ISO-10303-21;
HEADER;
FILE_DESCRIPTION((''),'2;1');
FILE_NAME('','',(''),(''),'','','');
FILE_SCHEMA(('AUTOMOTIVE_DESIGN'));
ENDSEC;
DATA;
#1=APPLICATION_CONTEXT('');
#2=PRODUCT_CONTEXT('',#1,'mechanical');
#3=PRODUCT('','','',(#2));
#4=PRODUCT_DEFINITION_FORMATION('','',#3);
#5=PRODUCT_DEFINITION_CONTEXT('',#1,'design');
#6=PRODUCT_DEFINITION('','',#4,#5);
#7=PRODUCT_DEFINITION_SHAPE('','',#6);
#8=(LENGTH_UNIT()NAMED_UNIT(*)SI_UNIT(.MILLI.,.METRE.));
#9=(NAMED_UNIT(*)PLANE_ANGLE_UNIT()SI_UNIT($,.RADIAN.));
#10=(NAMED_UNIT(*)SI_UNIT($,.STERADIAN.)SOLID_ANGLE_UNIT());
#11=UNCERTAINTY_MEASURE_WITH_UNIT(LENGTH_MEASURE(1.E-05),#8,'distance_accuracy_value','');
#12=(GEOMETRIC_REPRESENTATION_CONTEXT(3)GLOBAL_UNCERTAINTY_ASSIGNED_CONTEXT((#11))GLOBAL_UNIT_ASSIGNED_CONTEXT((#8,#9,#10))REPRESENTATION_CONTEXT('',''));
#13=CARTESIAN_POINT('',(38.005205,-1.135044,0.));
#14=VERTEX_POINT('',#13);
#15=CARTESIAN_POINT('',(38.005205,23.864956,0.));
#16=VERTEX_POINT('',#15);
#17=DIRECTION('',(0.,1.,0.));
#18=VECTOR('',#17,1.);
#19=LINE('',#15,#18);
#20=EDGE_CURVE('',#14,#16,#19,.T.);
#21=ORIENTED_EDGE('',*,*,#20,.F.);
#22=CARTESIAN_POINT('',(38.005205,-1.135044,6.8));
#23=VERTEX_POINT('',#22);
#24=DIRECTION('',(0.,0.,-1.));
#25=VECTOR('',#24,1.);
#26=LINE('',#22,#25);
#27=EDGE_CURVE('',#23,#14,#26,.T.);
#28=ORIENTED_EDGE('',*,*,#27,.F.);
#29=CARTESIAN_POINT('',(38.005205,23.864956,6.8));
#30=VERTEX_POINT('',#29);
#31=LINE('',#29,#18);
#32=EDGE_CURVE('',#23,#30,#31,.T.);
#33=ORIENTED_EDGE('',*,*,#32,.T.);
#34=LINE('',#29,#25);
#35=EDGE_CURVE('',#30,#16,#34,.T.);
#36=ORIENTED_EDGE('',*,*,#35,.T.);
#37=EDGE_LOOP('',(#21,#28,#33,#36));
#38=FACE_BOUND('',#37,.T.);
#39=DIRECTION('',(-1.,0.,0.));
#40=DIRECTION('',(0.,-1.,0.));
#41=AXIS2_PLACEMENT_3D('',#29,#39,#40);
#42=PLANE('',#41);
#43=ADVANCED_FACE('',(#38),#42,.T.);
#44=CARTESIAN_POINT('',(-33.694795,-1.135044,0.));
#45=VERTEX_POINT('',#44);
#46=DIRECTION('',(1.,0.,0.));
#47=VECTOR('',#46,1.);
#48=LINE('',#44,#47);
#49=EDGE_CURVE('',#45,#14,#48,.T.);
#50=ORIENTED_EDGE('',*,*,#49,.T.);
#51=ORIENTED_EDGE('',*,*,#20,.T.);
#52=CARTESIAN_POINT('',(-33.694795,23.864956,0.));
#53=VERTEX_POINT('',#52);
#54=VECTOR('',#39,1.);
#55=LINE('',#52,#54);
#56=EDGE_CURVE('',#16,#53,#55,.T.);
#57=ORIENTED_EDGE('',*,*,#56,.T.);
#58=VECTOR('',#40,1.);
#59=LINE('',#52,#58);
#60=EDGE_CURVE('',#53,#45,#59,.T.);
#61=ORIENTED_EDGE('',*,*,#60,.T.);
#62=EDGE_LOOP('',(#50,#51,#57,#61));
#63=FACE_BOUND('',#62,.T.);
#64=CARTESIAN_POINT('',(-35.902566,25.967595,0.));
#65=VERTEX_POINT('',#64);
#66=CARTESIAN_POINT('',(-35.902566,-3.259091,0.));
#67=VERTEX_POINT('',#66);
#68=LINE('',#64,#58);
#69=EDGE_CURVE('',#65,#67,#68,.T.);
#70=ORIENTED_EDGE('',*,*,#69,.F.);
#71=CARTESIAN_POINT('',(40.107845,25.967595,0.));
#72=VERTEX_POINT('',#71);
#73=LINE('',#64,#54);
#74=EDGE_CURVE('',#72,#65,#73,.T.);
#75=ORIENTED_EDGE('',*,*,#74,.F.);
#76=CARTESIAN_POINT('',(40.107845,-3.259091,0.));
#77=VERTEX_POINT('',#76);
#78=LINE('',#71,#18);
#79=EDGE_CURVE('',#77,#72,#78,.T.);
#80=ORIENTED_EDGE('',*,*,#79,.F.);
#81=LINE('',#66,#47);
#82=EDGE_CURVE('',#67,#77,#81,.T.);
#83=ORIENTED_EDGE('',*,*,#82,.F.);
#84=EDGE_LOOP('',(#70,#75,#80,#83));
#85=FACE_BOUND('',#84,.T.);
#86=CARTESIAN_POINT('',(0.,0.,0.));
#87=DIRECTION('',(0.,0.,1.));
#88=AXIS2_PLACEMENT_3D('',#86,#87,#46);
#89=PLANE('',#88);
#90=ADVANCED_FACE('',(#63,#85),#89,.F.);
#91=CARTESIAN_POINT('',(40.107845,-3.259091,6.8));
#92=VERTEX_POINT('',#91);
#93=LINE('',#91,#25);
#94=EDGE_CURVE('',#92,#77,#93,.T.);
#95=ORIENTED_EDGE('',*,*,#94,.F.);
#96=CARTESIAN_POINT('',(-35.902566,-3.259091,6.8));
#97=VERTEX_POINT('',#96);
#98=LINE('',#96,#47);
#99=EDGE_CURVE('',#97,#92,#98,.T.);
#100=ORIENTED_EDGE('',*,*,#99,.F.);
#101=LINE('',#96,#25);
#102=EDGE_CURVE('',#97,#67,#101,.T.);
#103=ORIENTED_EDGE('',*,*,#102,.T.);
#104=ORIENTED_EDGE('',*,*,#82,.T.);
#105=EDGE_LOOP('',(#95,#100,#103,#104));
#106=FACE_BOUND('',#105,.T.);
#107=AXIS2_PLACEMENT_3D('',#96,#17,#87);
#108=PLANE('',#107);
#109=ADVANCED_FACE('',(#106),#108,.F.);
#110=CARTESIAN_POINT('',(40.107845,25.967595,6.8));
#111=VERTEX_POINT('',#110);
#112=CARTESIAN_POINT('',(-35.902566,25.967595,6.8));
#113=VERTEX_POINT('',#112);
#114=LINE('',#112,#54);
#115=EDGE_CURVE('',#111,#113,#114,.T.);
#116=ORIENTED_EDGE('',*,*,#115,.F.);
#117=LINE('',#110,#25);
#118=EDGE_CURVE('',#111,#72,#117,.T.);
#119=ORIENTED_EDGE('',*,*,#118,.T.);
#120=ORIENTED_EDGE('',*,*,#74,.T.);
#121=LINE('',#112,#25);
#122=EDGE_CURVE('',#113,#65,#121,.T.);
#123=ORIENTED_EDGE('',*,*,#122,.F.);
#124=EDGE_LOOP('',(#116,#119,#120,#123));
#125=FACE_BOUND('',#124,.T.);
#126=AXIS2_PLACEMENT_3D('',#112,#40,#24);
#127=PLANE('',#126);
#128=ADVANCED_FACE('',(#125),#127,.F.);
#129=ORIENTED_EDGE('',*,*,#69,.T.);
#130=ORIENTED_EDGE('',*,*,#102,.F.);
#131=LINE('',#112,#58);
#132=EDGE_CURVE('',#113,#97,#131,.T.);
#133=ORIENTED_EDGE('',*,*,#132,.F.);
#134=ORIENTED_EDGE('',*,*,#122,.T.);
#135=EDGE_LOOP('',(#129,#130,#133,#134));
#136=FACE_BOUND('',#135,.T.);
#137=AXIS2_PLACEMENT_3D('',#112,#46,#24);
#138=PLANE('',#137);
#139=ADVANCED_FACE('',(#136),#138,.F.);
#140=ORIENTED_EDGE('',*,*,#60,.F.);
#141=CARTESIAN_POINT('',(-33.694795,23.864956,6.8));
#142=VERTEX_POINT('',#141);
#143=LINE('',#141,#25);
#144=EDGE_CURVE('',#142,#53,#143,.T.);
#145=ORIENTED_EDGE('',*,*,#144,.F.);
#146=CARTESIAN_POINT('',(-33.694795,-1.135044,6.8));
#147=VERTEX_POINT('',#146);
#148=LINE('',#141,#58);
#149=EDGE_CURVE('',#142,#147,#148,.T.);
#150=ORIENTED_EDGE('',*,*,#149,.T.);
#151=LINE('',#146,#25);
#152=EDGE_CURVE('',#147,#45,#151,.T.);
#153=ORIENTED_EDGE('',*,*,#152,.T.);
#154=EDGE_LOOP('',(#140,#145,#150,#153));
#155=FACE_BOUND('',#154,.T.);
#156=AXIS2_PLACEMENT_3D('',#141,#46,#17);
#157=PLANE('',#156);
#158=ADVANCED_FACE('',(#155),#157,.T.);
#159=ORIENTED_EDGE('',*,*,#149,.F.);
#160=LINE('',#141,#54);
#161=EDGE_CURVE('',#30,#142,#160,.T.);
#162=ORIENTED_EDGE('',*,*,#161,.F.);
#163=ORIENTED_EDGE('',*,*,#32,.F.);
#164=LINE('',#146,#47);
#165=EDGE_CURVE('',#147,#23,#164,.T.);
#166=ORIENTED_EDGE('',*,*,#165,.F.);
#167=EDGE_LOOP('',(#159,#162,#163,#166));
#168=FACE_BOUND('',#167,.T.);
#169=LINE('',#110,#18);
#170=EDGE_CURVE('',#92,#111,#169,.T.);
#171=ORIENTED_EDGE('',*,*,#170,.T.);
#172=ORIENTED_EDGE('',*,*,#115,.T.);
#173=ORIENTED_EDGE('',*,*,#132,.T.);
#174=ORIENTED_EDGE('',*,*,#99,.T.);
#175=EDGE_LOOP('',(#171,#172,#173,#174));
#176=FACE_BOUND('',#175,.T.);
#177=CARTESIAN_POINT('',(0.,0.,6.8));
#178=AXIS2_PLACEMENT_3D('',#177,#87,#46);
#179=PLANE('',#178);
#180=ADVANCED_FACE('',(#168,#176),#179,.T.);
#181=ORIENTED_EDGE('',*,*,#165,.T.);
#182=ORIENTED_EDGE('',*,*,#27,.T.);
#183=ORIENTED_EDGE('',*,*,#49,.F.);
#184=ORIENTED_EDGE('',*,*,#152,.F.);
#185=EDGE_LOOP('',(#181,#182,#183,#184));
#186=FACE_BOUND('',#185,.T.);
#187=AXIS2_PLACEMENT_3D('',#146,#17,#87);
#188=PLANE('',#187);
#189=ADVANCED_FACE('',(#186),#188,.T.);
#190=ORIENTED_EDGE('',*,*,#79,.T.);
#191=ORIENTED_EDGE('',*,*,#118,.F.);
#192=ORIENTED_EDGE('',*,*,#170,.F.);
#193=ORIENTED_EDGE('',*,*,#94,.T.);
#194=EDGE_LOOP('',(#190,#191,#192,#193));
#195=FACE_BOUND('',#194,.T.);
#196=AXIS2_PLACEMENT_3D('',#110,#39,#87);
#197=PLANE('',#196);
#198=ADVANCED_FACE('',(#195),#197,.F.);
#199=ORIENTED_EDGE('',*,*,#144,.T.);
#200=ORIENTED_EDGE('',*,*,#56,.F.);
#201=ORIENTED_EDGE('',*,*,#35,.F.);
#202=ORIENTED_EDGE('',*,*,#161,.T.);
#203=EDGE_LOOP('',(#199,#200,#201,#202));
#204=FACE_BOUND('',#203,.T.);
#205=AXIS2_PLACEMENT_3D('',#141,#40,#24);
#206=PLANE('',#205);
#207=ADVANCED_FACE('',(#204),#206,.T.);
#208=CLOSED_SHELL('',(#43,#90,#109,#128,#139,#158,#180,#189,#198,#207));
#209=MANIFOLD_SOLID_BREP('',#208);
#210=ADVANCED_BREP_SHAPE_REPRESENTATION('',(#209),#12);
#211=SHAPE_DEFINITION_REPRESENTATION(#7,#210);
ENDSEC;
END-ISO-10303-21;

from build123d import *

# Parameters (mm, degrees)
SKETCH2_W           = 76.010410557
SKETCH2_H           = 29.226686217
SKETCH2_W_2         = 71.7
SKETCH2_H_2         = 25
BOSS_EXTRUDE1_DEPTH = 6.8


with BuildPart() as part:
    # Sketch2 → Boss-Extrude1 (new body)
    with BuildSketch(Plane.XY):
        with Locations((2.102639297, 11.354252199)):
            Rectangle(SKETCH2_W, SKETCH2_H)
        with Locations((2.155205279, 11.364956012)):
            Rectangle(SKETCH2_W_2, SKETCH2_H_2, mode=Mode.SUBTRACT)
    extrude(amount=BOSS_EXTRUDE1_DEPTH)


solid = part.part
